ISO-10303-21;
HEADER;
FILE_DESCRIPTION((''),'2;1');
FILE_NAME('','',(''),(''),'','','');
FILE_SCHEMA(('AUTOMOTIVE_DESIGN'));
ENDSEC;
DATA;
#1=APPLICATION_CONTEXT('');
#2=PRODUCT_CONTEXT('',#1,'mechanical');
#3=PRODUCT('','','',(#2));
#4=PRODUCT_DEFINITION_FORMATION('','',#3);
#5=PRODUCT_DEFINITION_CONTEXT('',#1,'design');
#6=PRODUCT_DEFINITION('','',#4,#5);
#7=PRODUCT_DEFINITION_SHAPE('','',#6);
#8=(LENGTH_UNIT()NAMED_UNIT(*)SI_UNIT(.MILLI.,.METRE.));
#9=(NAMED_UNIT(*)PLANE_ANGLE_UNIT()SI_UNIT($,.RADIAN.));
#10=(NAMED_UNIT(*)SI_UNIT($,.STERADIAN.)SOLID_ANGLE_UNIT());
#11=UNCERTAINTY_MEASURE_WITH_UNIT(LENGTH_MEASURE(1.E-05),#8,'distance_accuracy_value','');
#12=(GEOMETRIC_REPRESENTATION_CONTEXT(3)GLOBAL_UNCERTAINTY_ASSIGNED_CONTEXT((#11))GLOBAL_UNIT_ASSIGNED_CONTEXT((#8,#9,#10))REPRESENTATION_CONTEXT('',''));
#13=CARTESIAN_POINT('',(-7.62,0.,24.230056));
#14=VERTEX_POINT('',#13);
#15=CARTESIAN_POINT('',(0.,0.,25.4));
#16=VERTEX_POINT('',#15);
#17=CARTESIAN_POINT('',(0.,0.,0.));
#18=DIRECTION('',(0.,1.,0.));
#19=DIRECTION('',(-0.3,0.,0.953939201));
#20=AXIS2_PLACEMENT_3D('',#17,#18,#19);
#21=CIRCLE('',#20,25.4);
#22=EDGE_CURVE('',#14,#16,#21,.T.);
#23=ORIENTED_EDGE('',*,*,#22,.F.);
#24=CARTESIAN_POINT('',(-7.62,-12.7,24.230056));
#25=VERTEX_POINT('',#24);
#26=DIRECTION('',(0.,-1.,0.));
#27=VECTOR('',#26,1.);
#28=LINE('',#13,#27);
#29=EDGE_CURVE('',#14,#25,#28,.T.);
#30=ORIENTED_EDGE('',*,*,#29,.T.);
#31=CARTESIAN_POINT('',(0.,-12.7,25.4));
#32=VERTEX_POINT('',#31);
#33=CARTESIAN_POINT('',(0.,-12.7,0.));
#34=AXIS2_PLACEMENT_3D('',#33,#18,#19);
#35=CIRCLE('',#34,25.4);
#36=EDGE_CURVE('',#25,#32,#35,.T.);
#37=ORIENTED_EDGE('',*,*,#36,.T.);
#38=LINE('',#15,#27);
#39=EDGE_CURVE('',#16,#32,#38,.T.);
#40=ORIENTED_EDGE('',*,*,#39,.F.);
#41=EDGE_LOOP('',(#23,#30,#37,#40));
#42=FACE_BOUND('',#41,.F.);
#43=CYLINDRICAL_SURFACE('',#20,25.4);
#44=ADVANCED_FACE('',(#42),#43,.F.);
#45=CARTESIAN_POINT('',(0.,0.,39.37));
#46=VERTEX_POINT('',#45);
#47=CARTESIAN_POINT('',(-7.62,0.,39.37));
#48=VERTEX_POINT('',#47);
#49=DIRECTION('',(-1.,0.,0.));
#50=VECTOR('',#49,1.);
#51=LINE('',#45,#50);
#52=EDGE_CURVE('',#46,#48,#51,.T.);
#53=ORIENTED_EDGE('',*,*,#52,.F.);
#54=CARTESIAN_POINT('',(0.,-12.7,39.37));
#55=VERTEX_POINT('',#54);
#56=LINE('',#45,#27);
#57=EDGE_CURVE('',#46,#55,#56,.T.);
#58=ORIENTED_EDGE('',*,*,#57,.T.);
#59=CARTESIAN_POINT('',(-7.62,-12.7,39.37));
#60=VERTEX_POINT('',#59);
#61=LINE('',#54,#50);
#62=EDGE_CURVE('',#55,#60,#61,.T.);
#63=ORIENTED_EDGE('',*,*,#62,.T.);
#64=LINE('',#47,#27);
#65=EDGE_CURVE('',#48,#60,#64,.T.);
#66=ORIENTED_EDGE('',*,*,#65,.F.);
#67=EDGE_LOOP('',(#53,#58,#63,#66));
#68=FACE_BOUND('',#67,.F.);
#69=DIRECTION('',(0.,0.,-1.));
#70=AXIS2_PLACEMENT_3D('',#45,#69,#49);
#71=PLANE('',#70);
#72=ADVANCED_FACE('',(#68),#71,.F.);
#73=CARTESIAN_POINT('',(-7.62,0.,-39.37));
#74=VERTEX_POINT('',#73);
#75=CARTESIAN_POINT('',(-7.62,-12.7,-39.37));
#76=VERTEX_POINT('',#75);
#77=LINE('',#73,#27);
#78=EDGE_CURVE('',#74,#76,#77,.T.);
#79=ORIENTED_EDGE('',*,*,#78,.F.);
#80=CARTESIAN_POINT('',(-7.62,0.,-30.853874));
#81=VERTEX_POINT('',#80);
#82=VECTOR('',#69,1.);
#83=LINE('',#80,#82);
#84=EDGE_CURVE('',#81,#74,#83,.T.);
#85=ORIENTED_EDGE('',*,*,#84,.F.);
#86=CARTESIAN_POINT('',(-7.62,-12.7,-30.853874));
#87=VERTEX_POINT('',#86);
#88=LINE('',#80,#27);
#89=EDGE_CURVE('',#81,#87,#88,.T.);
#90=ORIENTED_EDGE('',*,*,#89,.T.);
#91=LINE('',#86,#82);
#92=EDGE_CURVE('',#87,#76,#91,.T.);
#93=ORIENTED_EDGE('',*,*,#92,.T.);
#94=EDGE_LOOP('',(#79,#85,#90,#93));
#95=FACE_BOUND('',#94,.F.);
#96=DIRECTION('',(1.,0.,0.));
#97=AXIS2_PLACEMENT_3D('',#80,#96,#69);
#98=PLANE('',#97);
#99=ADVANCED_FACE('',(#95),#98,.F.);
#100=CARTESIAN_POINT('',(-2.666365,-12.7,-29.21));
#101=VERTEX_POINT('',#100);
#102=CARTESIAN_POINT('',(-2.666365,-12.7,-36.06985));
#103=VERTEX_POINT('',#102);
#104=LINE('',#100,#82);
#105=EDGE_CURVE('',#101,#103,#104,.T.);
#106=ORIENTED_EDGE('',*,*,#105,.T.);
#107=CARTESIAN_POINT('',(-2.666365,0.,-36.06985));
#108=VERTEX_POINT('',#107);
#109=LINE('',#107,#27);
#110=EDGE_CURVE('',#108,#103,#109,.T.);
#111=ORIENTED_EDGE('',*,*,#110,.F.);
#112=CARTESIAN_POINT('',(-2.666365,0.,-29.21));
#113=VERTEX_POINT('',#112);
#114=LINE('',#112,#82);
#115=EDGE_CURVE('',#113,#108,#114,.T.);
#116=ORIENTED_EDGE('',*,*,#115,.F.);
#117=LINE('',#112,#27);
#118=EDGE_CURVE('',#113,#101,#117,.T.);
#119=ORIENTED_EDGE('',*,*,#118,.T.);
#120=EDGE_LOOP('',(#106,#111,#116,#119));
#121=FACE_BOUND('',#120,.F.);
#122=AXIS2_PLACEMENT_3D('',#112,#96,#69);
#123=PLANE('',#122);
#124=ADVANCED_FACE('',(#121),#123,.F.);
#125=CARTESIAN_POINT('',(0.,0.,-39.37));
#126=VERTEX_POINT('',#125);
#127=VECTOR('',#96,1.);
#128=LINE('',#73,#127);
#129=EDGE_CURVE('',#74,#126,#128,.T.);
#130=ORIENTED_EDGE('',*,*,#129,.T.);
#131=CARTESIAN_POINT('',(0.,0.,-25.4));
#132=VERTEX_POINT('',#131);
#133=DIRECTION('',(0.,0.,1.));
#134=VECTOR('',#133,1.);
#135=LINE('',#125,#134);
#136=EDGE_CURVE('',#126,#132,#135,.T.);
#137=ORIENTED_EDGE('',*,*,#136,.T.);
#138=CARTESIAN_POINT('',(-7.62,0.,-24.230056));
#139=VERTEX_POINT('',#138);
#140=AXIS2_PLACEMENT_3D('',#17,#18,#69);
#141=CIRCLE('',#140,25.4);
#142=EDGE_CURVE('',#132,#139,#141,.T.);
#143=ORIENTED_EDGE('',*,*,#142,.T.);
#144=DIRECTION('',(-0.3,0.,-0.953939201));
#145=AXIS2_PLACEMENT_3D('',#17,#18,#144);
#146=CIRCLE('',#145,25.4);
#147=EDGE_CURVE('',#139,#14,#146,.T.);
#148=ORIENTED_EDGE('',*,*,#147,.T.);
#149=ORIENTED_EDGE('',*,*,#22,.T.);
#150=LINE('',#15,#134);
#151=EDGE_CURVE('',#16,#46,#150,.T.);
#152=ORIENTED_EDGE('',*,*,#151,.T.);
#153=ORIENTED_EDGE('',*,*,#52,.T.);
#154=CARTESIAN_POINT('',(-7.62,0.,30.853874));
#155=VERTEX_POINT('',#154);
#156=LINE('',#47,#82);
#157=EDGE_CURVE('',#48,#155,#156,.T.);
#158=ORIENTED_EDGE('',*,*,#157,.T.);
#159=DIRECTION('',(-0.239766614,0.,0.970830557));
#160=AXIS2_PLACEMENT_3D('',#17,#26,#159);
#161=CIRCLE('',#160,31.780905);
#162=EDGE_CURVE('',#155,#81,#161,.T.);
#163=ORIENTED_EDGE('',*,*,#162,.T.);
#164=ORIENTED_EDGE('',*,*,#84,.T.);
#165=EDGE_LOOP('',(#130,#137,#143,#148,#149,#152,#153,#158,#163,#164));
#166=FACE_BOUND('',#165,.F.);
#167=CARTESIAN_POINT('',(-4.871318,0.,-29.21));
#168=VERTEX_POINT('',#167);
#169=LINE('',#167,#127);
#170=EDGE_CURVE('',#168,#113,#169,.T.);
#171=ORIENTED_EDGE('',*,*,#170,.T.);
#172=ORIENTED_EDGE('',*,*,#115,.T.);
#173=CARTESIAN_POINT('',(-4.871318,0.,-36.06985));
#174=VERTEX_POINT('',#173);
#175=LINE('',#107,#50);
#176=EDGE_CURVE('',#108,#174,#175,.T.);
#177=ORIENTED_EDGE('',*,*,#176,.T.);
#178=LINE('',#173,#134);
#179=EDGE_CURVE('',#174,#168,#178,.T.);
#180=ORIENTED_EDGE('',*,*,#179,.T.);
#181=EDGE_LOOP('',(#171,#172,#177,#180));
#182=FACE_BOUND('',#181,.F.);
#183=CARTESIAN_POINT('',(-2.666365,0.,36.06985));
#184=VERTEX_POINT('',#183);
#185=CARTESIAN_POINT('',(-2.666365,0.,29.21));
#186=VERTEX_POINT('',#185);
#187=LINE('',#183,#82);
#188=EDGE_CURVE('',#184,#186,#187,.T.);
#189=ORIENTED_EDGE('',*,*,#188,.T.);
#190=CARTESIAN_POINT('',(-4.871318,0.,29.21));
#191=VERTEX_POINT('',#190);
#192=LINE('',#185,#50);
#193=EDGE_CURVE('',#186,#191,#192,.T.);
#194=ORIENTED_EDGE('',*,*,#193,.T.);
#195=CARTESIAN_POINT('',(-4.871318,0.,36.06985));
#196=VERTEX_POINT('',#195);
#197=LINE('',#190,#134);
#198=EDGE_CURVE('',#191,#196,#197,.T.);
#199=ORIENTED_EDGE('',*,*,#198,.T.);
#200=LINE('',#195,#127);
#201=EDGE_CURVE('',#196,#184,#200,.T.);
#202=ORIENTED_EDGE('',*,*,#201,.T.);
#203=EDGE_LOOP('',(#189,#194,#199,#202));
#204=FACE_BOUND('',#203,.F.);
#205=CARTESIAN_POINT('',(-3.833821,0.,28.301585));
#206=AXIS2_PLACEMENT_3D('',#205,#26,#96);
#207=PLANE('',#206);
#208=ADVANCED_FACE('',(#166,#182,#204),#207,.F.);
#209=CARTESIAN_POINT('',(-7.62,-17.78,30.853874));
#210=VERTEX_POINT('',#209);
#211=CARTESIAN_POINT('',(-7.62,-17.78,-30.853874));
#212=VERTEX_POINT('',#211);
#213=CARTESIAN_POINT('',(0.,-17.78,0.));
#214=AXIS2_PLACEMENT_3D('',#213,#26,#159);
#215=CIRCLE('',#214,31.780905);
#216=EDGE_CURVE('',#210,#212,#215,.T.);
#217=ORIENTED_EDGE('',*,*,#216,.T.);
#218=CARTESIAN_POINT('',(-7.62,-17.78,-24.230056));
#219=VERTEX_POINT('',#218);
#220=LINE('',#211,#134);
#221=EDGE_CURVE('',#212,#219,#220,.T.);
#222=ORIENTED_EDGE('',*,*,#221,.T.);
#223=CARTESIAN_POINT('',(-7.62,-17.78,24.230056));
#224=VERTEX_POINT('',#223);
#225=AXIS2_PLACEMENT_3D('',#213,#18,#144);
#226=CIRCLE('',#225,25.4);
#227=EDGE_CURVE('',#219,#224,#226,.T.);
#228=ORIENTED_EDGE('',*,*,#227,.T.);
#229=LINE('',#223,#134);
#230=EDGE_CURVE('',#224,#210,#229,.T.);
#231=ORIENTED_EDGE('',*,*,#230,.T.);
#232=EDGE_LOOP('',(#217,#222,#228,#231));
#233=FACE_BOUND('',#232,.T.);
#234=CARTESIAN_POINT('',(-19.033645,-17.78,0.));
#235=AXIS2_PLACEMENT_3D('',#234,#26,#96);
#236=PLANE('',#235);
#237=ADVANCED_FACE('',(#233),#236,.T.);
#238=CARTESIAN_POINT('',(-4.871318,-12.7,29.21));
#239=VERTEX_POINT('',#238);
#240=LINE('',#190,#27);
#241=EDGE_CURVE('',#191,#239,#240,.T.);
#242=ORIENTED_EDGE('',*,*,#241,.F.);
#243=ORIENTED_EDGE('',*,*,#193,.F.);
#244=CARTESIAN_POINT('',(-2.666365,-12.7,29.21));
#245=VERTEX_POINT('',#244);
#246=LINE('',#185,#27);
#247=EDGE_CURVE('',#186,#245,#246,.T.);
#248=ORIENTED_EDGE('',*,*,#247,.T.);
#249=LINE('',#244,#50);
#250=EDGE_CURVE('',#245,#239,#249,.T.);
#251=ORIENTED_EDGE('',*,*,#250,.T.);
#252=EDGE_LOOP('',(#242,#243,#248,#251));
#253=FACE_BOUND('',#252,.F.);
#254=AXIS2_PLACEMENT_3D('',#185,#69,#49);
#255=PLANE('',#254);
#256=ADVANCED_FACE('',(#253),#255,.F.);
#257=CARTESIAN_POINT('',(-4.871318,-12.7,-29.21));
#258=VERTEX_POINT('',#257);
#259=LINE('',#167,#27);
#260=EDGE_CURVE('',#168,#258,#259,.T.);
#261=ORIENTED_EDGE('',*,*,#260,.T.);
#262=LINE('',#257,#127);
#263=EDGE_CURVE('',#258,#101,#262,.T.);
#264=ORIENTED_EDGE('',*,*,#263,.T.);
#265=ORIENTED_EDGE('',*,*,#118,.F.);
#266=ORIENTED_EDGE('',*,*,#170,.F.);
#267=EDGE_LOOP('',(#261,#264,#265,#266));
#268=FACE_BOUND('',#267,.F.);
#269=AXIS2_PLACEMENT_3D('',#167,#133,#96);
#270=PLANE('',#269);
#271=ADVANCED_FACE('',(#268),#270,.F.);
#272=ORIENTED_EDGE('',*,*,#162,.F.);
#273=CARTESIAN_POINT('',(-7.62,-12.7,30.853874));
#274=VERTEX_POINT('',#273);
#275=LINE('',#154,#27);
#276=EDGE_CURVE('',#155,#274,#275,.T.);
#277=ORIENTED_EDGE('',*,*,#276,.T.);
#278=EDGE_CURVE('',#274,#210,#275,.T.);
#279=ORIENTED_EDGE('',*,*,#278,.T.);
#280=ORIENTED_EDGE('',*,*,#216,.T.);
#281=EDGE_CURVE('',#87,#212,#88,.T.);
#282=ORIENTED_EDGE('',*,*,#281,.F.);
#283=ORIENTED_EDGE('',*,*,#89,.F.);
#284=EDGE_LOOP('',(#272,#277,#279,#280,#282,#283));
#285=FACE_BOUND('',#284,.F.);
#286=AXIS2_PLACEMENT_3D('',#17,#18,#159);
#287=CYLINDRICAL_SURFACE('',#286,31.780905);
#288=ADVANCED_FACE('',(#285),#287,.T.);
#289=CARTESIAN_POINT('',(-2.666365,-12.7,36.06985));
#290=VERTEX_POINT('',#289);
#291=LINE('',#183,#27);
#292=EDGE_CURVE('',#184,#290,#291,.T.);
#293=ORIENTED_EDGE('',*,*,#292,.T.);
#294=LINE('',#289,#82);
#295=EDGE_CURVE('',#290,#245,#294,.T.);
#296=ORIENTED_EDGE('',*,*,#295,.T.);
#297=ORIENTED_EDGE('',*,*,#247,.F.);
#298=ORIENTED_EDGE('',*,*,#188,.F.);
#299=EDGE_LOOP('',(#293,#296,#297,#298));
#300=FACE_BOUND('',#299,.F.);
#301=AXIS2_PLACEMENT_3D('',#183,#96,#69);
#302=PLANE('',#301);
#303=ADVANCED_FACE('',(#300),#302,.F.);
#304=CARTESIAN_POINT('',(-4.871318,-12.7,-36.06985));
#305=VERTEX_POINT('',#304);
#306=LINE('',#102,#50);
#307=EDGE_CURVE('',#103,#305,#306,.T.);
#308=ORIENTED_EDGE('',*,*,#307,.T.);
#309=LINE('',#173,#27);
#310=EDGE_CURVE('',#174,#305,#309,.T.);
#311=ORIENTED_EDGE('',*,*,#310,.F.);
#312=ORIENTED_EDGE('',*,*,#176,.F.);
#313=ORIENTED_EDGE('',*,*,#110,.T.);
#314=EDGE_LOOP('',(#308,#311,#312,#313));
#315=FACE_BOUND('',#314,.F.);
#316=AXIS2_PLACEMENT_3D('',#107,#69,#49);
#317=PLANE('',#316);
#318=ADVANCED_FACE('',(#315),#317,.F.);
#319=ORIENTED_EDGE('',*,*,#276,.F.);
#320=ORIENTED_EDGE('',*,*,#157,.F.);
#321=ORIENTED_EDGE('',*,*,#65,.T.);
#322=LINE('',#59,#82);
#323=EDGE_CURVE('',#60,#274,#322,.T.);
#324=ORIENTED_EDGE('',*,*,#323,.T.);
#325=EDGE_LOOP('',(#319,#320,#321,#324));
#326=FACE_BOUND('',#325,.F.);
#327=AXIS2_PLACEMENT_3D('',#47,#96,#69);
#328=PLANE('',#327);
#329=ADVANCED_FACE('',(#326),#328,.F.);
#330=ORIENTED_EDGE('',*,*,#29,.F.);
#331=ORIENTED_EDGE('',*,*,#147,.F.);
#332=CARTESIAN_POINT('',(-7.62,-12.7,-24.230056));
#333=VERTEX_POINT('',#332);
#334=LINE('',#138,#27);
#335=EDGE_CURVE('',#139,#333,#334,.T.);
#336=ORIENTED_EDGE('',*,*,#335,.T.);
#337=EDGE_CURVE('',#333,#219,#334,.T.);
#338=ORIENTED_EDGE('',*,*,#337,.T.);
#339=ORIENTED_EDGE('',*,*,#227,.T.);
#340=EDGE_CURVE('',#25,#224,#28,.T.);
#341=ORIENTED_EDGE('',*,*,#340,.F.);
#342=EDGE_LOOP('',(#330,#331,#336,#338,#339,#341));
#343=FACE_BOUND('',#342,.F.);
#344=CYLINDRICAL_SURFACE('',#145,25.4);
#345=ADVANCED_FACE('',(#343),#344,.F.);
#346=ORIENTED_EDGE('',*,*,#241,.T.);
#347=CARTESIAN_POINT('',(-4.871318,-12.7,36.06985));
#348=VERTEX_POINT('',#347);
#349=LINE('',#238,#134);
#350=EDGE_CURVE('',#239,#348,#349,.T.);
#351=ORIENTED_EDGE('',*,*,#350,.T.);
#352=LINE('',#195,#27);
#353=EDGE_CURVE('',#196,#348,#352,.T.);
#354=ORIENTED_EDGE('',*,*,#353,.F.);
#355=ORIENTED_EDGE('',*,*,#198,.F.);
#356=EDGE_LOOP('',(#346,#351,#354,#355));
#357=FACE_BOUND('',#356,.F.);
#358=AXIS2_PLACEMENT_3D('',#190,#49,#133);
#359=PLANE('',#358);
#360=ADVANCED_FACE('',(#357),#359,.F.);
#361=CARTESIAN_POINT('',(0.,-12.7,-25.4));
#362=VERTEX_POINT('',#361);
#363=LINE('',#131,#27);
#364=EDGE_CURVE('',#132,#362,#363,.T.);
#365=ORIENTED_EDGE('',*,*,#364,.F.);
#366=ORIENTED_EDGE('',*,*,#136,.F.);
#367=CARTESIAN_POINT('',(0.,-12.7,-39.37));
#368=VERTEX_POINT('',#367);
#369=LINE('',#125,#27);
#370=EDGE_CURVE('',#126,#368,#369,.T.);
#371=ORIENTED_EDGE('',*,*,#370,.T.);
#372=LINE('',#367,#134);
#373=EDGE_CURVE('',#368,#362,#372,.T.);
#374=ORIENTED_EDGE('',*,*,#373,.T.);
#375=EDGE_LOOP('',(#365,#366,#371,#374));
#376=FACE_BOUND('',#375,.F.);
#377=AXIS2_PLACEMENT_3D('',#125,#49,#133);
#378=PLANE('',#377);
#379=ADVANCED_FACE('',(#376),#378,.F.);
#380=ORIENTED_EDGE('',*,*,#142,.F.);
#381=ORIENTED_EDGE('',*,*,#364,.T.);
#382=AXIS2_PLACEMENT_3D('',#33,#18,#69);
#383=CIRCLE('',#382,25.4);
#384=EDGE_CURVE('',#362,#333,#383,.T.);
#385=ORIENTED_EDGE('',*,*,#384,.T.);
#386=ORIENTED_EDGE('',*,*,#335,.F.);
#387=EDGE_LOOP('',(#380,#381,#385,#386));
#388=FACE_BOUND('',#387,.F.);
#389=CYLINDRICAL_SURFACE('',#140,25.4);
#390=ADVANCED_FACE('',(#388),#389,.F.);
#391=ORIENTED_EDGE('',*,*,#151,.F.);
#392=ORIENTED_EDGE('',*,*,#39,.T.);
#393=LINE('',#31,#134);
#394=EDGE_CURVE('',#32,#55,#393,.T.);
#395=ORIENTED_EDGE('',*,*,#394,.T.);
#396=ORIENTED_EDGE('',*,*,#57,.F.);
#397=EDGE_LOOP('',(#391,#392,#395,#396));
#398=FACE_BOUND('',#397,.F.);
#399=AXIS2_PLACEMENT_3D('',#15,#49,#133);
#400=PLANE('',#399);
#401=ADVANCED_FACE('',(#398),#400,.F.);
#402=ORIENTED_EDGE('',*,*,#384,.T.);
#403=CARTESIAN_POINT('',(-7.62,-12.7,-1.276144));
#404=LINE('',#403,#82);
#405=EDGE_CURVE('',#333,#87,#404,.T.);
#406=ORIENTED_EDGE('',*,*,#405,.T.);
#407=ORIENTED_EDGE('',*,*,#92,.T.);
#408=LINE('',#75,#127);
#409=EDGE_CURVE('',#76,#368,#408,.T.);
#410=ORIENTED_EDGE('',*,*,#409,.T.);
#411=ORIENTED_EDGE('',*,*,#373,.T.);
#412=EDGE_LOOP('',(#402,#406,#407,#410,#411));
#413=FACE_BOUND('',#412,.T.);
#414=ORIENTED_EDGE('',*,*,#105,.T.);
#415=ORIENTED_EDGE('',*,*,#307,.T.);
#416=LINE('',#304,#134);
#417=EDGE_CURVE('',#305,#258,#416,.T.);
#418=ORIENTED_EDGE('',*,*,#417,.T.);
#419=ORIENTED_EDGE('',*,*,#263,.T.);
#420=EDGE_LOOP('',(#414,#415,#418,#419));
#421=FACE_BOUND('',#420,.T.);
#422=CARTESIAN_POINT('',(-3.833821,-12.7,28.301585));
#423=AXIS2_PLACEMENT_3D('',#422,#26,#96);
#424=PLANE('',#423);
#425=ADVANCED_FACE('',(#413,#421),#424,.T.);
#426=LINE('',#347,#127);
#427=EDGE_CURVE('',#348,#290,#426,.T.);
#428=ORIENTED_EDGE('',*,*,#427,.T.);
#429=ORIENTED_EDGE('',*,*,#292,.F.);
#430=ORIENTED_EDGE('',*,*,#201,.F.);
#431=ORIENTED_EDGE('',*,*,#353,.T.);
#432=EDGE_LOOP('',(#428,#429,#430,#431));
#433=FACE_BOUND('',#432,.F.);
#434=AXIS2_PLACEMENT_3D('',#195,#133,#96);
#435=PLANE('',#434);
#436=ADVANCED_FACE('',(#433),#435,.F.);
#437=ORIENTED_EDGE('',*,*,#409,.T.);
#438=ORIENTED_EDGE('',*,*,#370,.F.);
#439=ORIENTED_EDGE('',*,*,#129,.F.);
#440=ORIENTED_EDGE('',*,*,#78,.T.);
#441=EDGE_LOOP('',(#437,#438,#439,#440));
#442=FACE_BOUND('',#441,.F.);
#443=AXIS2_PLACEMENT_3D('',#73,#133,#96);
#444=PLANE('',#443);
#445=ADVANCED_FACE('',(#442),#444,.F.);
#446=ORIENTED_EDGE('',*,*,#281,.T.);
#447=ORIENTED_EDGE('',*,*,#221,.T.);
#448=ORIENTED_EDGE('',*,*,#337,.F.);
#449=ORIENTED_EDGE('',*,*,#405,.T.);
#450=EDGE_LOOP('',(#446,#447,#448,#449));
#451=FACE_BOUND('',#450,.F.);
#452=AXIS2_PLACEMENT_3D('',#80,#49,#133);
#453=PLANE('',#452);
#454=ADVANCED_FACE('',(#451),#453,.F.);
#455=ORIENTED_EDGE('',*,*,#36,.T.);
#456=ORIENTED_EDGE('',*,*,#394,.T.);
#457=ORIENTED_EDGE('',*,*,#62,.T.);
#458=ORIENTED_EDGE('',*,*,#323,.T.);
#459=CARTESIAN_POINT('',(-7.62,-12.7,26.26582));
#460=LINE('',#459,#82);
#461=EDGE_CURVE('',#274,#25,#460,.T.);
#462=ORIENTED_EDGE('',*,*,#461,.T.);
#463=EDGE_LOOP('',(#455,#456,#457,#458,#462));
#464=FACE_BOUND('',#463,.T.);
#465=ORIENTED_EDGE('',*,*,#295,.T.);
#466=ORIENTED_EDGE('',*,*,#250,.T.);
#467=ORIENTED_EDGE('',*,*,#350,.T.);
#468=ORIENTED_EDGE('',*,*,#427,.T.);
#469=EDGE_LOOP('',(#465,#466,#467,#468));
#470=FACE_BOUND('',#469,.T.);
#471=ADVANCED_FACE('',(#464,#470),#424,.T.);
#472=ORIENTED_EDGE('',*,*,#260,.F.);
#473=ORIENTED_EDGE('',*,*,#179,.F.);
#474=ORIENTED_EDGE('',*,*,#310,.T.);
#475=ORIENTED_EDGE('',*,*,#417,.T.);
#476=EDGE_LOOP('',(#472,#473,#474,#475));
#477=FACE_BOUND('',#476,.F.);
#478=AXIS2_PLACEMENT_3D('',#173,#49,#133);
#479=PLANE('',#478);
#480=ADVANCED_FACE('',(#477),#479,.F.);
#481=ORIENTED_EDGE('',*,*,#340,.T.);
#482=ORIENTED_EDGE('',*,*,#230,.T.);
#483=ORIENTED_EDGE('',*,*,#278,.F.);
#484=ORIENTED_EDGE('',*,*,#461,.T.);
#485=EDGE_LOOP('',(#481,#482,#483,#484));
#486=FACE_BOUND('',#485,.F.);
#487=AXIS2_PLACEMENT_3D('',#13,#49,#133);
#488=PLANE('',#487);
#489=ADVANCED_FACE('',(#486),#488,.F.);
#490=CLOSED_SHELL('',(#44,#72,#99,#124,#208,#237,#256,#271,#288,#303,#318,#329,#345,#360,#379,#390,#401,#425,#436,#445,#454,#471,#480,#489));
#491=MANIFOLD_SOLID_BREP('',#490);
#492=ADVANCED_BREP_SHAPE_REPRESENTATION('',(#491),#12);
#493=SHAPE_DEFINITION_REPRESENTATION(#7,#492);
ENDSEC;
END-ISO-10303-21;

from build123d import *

# Parameters (mm, degrees)
F1_DEPTH = 12.7
F2_DEPTH = 17.78


with BuildPart() as f1:
    # F0 (on Front) → F1 (new body)
    with BuildSketch(Plane.XZ):
        with BuildLine():
            ThreePointArc((-7.62, 24.2300557169), (-3.8546455617, 25.1058102362), (0, 25.4))
            Line((0, 25.4), (0, 31.7809050116))
            ThreePointArc((0, 31.7809050116), (-1.3343592112, 31.7528803237), (-2.6663651224, 31.6688556849))
            Line((-2.6663651224, 31.6688556849), (-2.6663651224, 29.21))
            Line((-2.6663651224, 29.21), (-4.8713176511, 29.21))
            Line((-4.8713176511, 29.21), (-4.8713176511, 31.405352851))
            ThreePointArc((-4.8713176511, 31.405352851), (-6.251742675, 31.1599364069), (-7.62, 30.8538737172))
            Line((-7.62, 30.8538737172), (-7.62, 24.2300557169))
        make_face()
        with BuildLine():
            ThreePointArc((-7.62, -24.2300557169), (-25.400000003, 0), (-7.62, 24.2300557169))
            Line((-7.62, 24.2300557169), (-7.62, 30.8538737172))
            ThreePointArc((-7.62, 30.8538737172), (-31.7809050116, 0), (-7.62, -30.8538737172))
            Line((-7.62, -30.8538737172), (-7.62, -24.2300557169))
        make_face()
        with BuildLine():
            ThreePointArc((-2.6663651224, 31.6688556849), (-1.3343592112, 31.7528803237), (0, 31.7809050116))
            Line((0, 31.7809050116), (0, 39.37))
            Line((0, 39.37), (-7.62, 39.37))
            Line((-7.62, 39.37), (-7.62, 30.8538737172))
            ThreePointArc((-7.62, 30.8538737172), (-6.251742675, 31.1599364069), (-4.8713176511, 31.405352851))
            Line((-4.8713176511, 31.405352851), (-4.8713176511, 36.0698501384))
            Line((-4.8713176511, 36.0698501384), (-2.6663651224, 36.0698501384))
            Line((-2.6663651224, 36.0698501384), (-2.6663651224, 31.6688556849))
        make_face()
        with BuildLine():
            ThreePointArc((0, -25.4), (-3.8546455617, -25.1058102362), (-7.62, -24.2300557169))
            Line((-7.62, -24.2300557169), (-7.62, -30.8538737172))
            ThreePointArc((-7.62, -30.8538737172), (-6.251742675, -31.1599364069), (-4.8713176511, -31.405352851))
            Line((-4.8713176511, -31.405352851), (-4.8713176511, -29.21))
            Line((-4.8713176511, -29.21), (-2.6663651224, -29.21))
            Line((-2.6663651224, -29.21), (-2.6663651224, -31.6688556849))
            ThreePointArc((-2.6663651224, -31.6688556849), (-1.3343592112, -31.7528803237), (0, -31.7809050116))
            Line((0, -31.7809050116), (0, -25.4))
        make_face()
        with BuildLine():
            ThreePointArc((-4.8713176511, -31.405352851), (-6.251742675, -31.1599364069), (-7.62, -30.8538737172))
            Line((-7.62, -30.8538737172), (-7.62, -39.37))
            Line((-7.62, -39.37), (0, -39.37))
            Line((0, -39.37), (0, -31.7809050116))
            ThreePointArc((0, -31.7809050116), (-1.3343592112, -31.7528803237), (-2.6663651224, -31.6688556849))
            Line((-2.6663651224, -31.6688556849), (-2.6663651224, -36.0698501384))
            Line((-2.6663651224, -36.0698501384), (-4.8713176511, -36.0698501384))
            Line((-4.8713176511, -36.0698501384), (-4.8713176511, -31.405352851))
        make_face()
    extrude(amount=F1_DEPTH)

    # F0 (on Front) → F2 (join)
    with BuildSketch(Plane.XZ):
        with BuildLine():
            ThreePointArc((-7.62, -24.2300557169), (-25.400000003, 0), (-7.62, 24.2300557169))
            Line((-7.62, 24.2300557169), (-7.62, 30.8538737172))
            ThreePointArc((-7.62, 30.8538737172), (-31.7809050116, 0), (-7.62, -30.8538737172))
            Line((-7.62, -30.8538737172), (-7.62, -24.2300557169))
        make_face()
    extrude(amount=F2_DEPTH)


solid = f1.part
